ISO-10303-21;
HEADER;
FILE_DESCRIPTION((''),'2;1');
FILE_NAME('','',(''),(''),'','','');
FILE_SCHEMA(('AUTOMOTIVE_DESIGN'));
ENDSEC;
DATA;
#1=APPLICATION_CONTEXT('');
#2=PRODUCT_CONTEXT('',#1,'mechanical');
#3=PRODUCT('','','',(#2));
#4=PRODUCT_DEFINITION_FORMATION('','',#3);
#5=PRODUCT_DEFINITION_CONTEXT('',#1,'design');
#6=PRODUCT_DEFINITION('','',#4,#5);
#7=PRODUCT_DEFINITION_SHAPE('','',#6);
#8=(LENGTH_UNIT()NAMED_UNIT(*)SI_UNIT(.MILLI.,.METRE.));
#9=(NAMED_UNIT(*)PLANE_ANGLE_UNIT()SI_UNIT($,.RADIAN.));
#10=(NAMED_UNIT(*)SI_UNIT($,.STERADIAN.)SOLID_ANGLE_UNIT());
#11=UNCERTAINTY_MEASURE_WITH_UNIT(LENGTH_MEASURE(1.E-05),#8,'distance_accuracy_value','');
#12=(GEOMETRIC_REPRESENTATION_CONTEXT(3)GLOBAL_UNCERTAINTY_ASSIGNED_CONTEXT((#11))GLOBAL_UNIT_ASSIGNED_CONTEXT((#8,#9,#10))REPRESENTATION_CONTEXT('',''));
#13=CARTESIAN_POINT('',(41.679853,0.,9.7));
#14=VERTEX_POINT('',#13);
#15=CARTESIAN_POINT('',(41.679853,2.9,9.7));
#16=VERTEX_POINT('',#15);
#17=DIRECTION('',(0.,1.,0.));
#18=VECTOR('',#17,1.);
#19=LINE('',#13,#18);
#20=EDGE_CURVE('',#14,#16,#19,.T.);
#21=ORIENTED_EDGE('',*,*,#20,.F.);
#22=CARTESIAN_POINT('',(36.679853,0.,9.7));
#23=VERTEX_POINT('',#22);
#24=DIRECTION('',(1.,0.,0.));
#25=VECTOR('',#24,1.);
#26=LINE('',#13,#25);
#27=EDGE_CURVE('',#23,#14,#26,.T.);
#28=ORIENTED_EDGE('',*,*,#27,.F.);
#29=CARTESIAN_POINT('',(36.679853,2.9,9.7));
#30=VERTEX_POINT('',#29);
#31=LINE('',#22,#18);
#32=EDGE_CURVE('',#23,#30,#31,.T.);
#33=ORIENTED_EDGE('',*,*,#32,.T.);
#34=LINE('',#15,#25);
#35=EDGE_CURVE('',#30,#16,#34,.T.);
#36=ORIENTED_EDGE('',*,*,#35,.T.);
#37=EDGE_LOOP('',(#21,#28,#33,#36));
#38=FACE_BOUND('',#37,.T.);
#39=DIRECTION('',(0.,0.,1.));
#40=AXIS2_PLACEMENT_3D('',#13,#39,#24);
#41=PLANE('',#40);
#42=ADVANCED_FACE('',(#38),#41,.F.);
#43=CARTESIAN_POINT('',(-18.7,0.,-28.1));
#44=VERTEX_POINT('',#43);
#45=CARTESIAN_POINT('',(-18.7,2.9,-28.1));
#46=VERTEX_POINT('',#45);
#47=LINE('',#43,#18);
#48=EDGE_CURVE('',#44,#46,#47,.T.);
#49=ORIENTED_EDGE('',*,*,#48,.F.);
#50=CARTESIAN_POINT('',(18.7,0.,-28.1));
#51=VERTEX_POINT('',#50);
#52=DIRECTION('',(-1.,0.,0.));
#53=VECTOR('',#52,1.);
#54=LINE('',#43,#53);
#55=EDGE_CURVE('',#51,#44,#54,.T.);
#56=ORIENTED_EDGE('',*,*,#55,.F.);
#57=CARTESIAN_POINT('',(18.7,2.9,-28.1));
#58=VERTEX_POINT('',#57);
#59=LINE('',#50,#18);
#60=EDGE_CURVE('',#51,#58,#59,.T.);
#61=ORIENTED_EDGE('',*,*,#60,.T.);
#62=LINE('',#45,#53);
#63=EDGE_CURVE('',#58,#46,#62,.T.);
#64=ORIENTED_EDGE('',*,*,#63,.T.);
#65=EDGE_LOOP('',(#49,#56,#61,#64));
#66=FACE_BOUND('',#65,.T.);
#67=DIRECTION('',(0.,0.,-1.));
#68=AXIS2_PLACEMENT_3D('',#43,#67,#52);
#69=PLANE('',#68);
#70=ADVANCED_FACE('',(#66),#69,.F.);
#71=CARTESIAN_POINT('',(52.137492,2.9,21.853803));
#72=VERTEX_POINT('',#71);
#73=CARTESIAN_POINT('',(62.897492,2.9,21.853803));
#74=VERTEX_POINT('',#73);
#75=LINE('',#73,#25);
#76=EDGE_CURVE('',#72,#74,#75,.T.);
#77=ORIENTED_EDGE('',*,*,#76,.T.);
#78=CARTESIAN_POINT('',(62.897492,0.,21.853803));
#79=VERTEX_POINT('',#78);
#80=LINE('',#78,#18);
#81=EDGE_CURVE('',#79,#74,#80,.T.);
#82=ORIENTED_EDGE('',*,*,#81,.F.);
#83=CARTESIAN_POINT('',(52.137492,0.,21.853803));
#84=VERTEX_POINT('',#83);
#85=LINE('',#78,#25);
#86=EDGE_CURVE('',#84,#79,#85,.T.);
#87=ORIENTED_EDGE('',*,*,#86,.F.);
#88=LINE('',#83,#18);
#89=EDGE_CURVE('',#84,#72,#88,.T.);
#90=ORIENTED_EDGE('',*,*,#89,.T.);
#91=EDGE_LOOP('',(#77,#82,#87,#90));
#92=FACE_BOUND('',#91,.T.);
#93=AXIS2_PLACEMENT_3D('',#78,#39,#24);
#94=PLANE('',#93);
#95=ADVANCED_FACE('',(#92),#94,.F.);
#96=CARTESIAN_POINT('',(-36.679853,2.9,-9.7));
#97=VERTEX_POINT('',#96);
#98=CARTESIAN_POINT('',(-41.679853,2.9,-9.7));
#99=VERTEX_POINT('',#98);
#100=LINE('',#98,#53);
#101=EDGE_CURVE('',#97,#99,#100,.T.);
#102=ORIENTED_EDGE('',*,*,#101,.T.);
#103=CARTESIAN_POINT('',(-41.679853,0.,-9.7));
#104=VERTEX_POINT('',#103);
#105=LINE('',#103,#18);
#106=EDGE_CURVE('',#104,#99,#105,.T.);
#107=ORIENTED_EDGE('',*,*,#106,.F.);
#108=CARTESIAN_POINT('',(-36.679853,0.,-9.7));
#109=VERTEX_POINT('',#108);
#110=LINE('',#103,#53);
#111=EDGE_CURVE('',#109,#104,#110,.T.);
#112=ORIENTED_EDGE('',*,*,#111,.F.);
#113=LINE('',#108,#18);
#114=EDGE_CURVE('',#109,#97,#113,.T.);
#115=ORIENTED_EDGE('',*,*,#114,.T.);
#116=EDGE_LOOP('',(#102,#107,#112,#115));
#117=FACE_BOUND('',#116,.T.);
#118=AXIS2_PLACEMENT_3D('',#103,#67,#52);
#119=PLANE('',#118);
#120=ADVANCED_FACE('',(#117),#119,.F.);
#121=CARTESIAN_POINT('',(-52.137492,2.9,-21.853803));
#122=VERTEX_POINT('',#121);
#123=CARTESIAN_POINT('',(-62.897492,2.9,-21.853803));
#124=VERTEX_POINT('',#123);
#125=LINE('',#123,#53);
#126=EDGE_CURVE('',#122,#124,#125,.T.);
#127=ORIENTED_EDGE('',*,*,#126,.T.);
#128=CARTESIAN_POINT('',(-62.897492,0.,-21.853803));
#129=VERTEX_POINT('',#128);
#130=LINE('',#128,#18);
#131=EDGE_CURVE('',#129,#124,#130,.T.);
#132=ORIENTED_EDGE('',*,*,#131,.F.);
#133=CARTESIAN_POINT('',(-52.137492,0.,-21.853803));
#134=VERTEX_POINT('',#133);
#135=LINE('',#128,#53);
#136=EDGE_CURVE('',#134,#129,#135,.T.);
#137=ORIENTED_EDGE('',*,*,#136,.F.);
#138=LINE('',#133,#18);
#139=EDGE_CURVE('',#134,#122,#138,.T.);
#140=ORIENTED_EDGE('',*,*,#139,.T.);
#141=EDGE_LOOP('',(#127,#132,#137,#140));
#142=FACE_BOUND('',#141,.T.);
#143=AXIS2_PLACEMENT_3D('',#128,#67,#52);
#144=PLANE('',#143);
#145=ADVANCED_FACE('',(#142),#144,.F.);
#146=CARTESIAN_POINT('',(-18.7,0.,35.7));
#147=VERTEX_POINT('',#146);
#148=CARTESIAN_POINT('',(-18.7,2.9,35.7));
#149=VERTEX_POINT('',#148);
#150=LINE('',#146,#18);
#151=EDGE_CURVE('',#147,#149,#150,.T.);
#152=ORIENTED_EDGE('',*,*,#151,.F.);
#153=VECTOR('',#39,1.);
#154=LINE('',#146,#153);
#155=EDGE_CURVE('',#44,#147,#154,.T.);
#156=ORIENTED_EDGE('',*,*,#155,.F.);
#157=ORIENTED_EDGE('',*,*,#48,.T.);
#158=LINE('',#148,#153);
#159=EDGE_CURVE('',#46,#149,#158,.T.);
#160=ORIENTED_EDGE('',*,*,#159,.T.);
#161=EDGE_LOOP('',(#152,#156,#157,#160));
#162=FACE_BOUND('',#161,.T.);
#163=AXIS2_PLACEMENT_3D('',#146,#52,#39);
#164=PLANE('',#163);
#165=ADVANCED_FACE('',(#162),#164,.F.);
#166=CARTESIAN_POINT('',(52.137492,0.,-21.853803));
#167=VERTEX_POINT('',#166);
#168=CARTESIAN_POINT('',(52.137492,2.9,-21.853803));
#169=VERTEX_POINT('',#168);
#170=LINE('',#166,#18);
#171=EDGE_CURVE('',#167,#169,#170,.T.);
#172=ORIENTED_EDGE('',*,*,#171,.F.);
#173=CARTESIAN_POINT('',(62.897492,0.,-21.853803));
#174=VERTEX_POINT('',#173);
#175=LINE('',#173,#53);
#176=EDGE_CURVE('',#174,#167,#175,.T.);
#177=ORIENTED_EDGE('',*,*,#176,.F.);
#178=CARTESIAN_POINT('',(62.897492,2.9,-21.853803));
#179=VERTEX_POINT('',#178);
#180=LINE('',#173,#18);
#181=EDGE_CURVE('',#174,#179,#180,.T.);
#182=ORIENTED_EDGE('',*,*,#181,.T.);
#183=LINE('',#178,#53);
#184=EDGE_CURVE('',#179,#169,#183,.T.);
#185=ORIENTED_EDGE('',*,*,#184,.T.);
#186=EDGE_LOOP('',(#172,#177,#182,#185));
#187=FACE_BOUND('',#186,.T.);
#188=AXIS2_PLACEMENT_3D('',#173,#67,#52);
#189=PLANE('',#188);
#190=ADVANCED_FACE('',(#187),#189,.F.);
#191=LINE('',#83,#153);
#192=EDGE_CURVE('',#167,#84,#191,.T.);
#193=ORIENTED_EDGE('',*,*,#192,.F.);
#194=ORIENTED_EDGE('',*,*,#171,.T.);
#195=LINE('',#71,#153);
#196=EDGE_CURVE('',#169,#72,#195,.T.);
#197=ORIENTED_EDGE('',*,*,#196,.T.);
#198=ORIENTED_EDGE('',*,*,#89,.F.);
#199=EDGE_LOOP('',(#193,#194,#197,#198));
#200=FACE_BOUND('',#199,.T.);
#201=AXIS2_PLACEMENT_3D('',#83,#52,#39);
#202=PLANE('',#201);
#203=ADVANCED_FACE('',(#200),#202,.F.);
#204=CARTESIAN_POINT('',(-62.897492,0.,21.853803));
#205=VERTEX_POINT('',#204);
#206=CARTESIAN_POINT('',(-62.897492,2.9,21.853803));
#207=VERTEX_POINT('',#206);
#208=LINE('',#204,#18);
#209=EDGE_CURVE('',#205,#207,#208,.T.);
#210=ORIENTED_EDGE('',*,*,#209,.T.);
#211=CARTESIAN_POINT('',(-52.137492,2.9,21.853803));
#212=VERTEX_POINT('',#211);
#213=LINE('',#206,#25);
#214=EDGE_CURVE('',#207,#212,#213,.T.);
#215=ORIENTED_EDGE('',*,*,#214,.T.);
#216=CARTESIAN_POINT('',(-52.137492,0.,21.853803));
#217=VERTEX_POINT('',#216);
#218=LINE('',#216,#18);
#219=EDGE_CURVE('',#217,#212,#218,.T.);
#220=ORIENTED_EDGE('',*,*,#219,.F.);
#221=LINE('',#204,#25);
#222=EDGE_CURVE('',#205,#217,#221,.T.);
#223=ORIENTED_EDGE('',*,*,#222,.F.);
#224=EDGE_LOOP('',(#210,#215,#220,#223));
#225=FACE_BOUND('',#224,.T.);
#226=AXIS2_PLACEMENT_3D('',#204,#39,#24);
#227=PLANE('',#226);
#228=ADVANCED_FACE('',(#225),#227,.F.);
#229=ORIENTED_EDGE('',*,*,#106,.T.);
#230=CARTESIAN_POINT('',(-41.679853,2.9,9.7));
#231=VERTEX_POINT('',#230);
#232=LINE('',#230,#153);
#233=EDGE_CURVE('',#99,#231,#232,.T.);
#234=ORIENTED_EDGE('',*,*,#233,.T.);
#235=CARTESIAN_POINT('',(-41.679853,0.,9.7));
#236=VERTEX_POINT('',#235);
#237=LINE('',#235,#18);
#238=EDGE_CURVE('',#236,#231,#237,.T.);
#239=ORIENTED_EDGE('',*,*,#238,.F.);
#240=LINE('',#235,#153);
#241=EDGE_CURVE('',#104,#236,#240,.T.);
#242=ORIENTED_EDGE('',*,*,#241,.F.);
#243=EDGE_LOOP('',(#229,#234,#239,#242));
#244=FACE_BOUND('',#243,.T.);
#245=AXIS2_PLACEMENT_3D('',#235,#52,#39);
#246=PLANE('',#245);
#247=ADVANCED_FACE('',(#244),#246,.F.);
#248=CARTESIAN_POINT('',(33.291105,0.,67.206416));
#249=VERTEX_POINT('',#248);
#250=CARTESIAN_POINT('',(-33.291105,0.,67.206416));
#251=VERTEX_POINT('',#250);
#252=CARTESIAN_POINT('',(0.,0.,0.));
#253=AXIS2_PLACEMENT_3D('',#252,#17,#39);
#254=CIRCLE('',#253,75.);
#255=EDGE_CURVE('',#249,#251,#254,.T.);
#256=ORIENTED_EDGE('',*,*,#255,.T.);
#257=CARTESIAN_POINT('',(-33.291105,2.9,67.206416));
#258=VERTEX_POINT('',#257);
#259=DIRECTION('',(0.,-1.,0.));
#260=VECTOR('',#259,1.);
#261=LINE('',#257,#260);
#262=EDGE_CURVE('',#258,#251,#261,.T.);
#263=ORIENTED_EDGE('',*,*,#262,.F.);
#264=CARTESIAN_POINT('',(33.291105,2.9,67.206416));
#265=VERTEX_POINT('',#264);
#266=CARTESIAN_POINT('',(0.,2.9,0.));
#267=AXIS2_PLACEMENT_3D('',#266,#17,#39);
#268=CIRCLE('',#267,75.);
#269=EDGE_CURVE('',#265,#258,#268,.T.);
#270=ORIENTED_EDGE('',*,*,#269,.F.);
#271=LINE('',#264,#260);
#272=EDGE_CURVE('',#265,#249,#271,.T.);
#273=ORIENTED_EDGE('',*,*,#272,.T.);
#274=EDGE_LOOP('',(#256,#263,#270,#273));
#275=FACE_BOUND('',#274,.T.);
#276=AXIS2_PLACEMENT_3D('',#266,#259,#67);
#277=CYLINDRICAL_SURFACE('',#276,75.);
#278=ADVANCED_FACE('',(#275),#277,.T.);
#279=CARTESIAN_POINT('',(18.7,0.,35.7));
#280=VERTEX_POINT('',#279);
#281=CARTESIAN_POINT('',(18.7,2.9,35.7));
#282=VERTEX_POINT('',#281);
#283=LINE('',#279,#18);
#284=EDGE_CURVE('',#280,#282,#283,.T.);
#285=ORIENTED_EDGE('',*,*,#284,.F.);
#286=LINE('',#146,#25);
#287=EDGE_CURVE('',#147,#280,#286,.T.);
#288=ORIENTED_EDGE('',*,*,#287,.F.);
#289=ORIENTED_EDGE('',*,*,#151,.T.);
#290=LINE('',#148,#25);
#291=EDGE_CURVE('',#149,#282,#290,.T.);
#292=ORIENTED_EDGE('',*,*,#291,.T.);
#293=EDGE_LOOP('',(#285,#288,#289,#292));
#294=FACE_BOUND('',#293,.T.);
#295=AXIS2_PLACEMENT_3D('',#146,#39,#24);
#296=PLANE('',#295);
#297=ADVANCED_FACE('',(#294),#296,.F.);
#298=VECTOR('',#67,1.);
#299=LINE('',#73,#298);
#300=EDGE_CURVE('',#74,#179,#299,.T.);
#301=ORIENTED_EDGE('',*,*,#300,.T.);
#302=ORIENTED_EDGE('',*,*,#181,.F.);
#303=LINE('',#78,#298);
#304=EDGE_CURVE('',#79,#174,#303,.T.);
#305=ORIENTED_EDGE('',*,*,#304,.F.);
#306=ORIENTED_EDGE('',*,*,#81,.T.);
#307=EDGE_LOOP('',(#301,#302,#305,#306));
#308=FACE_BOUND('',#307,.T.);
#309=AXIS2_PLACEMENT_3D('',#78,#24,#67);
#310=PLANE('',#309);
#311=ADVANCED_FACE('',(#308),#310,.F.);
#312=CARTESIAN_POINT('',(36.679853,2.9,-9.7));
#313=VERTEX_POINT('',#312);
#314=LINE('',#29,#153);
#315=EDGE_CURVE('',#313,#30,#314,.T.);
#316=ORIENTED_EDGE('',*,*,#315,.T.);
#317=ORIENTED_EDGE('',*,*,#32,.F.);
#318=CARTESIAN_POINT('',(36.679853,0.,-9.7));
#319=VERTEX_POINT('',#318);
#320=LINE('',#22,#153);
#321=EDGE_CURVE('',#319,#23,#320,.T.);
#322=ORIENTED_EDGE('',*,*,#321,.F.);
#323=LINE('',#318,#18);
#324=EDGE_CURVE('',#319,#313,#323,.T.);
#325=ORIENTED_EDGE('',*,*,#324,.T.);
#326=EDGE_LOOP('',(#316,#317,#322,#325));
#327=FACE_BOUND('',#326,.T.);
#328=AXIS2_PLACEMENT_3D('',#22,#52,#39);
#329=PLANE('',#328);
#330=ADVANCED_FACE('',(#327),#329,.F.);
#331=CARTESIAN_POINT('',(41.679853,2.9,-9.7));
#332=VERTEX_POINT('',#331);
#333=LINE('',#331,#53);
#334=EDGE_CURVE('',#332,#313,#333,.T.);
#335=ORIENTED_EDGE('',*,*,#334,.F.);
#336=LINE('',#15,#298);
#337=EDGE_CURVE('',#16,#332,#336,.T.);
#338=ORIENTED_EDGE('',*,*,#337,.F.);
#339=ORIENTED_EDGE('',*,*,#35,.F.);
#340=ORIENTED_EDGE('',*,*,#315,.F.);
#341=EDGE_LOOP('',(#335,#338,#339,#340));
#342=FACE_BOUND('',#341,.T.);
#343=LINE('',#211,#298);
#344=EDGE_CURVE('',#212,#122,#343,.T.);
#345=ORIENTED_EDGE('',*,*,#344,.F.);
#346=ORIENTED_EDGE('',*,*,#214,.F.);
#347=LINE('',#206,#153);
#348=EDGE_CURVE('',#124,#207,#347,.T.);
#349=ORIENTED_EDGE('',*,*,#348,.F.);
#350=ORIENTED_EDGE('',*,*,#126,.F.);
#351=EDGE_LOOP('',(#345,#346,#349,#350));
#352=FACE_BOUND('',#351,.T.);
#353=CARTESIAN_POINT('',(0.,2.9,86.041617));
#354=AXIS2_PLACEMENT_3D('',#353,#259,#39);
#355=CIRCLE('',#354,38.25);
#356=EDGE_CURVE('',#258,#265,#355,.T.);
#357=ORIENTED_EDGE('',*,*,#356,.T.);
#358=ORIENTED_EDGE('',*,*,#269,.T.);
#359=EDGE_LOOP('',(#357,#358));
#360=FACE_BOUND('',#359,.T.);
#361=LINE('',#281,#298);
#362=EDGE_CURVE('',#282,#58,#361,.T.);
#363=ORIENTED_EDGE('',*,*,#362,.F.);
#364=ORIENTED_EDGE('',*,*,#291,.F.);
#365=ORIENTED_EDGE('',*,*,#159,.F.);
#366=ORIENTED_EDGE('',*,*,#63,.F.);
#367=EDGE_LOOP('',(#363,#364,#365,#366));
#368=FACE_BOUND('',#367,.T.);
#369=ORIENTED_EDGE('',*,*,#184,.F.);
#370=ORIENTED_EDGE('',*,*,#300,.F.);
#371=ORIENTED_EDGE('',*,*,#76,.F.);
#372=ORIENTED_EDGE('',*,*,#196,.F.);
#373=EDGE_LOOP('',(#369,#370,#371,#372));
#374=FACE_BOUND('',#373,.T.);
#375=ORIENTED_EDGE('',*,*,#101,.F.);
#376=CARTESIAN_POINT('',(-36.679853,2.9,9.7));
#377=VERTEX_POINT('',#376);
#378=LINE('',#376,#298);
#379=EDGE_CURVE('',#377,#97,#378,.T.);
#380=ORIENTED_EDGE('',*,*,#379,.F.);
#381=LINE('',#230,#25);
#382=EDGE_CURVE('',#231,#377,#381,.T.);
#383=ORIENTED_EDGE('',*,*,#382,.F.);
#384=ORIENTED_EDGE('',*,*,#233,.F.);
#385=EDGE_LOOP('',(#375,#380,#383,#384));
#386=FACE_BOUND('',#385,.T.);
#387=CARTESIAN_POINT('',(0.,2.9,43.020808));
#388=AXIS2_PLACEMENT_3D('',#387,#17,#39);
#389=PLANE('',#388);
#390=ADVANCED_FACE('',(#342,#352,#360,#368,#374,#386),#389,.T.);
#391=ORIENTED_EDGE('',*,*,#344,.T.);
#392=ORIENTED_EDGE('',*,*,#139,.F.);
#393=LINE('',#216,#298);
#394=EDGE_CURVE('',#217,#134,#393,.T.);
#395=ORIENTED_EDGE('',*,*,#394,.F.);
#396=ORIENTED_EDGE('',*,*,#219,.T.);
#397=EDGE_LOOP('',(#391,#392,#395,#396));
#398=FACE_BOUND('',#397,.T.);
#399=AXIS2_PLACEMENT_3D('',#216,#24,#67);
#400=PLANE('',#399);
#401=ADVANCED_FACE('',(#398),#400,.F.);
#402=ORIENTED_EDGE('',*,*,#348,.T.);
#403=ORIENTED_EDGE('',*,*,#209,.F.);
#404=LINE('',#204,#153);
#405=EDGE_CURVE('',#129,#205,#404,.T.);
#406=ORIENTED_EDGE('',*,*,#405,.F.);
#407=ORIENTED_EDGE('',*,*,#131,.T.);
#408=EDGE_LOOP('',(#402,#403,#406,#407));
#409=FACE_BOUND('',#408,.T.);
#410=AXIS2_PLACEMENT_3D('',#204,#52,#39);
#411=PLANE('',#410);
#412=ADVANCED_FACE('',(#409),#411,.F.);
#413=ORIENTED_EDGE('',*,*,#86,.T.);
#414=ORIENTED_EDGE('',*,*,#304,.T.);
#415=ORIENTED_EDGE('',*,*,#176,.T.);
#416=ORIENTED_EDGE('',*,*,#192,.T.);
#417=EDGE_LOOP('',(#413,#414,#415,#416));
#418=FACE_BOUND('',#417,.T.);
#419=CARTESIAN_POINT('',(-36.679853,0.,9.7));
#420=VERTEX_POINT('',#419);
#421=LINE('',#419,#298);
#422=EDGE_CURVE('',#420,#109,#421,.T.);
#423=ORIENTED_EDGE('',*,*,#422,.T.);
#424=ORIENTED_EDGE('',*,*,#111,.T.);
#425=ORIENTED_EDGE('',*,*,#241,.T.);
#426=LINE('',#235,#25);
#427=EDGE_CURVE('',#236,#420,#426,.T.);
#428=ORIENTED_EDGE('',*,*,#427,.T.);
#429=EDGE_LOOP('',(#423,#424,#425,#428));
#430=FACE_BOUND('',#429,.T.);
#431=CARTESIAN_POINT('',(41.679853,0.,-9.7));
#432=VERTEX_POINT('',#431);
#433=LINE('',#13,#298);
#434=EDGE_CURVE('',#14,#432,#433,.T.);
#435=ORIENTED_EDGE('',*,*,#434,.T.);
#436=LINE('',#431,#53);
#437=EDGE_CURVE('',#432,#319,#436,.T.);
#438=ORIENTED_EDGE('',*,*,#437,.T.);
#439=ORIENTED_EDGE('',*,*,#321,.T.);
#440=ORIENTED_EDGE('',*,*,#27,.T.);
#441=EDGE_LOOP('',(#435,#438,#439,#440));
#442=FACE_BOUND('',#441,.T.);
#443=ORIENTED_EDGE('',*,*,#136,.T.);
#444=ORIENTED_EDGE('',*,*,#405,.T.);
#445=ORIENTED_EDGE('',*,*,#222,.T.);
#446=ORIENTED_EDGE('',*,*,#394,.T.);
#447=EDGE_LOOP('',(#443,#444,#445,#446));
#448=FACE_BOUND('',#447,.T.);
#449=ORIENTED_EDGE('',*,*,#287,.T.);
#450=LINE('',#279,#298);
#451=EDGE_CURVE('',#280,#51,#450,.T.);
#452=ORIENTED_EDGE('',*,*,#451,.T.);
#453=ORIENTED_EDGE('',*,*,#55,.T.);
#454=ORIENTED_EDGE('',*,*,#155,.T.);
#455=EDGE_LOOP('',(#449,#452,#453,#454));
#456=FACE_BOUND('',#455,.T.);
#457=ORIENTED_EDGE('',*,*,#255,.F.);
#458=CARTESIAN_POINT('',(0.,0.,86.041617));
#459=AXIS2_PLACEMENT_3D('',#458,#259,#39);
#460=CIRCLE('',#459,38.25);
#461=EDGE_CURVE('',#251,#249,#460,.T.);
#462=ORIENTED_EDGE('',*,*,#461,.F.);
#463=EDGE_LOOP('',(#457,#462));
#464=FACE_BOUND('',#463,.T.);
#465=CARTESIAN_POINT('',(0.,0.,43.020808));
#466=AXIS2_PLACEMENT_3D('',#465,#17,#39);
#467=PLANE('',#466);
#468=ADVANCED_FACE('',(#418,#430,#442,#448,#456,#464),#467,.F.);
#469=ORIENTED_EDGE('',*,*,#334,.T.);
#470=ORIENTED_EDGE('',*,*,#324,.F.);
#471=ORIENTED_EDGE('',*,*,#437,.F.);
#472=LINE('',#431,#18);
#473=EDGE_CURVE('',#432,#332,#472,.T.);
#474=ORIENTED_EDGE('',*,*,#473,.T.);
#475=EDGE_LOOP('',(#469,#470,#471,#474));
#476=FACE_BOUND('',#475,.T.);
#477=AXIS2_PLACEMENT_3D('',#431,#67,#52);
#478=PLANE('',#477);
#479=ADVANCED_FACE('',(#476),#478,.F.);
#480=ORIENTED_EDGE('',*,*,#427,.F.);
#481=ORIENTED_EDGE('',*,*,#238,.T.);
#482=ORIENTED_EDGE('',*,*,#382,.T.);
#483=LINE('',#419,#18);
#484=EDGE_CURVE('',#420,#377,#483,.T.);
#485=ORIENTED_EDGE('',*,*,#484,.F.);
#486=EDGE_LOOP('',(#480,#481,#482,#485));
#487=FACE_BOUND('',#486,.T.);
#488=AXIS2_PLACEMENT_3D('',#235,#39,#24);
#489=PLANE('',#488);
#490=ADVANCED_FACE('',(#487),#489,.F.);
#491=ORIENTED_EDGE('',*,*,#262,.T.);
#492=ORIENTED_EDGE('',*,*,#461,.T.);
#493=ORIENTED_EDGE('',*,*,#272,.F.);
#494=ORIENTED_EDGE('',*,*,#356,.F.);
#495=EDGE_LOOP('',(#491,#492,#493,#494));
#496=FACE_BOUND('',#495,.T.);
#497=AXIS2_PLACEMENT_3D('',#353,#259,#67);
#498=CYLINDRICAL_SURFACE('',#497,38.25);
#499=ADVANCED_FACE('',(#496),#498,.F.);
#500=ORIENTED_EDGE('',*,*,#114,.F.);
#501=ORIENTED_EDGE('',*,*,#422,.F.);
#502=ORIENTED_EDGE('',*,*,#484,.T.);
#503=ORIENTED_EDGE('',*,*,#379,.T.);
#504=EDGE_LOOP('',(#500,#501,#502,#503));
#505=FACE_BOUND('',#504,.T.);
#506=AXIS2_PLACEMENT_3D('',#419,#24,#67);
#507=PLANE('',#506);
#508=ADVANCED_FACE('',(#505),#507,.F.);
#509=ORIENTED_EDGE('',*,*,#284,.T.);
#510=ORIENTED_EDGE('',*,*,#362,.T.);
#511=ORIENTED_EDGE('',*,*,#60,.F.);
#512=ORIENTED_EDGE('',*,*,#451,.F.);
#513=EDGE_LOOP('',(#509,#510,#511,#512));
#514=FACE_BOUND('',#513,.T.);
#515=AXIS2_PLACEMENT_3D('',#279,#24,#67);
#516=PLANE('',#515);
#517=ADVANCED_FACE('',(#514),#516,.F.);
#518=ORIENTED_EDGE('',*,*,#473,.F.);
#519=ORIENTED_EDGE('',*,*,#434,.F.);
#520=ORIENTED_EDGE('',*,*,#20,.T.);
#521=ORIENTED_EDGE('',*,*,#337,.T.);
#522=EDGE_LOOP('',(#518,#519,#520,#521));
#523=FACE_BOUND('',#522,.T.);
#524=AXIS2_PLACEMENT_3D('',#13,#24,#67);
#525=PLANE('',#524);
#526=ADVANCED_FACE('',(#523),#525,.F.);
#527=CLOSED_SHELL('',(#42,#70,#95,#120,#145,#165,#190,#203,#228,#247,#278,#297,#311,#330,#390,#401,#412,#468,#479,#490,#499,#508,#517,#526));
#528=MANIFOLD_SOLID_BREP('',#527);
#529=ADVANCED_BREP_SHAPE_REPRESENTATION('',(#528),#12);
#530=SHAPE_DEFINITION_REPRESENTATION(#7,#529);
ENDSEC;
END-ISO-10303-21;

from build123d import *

# Parameters (mm, degrees)
BOSS_EXTRUDE1_DEPTH  = 2.9
SOLENOID_PLACEMENT_W = 37.4
SOLENOID_PLACEMENT_H = 63.8
CUT_EXTRUDE1_DEPTH   = 107.105654892
SKETCH2_W            = 10.76
SKETCH2_H            = 43.707605188
CUT_EXTRUDE2_DEPTH   = 107.105654892
SKETCH3_W            = 5
SKETCH3_H            = 19.4
CUT_EXTRUDE3_DEPTH   = 107.105654892


with BuildPart() as part:
    # Sketch1 → Boss-Extrude1 (new body)
    with BuildSketch(Plane(origin=(0, 0, 0), x_dir=(1, 0, 0), z_dir=(0, 1, 0))):
        with BuildLine():
            ThreePointArc((33.29110537, -67.206415641), (0, 75), (-33.29110537, -67.206415641))
            ThreePointArc((-33.29110537, -67.206415641), (0, -47.791616815), (33.29110537, -67.206415641))
        make_face()
    extrude(amount=BOSS_EXTRUDE1_DEPTH)

    # solenoid placement → Cut-Extrude1 (cut, through all)
    with BuildSketch(Plane(origin=(0, 2.9, 0), x_dir=(1, 0, 0), z_dir=(0, 1, 0))):
        with Locations((0, -3.8)):
            Rectangle(SOLENOID_PLACEMENT_W, SOLENOID_PLACEMENT_H)
    extrude(amount=-CUT_EXTRUDE1_DEPTH, mode=Mode.SUBTRACT)

    # Sketch2 → Cut-Extrude2 (cut, through all)
    with BuildSketch(Plane(origin=(0, 2.9, 0), x_dir=(1, 0, 0), z_dir=(0, 1, 0))):
        with Locations((57.517491988, 0)):
            Rectangle(SKETCH2_W, SKETCH2_H)
        with Locations((-57.517491988, 0)):
            Rectangle(SKETCH2_W, SKETCH2_H)
    extrude(amount=-CUT_EXTRUDE2_DEPTH, mode=Mode.SUBTRACT)

    # Sketch3 → Cut-Extrude3 (cut, through all)
    with BuildSketch(Plane(origin=(0, 2.9, 0), x_dir=(1, 0, 0), z_dir=(0, 1, 0))):
        with Locations((-39.179852803, 0)):
            Rectangle(SKETCH3_W, SKETCH3_H)
        with Locations((39.179852803, 0)):
            Rectangle(SKETCH3_W, SKETCH3_H)
    extrude(amount=-CUT_EXTRUDE3_DEPTH, mode=Mode.SUBTRACT)


solid = part.part
